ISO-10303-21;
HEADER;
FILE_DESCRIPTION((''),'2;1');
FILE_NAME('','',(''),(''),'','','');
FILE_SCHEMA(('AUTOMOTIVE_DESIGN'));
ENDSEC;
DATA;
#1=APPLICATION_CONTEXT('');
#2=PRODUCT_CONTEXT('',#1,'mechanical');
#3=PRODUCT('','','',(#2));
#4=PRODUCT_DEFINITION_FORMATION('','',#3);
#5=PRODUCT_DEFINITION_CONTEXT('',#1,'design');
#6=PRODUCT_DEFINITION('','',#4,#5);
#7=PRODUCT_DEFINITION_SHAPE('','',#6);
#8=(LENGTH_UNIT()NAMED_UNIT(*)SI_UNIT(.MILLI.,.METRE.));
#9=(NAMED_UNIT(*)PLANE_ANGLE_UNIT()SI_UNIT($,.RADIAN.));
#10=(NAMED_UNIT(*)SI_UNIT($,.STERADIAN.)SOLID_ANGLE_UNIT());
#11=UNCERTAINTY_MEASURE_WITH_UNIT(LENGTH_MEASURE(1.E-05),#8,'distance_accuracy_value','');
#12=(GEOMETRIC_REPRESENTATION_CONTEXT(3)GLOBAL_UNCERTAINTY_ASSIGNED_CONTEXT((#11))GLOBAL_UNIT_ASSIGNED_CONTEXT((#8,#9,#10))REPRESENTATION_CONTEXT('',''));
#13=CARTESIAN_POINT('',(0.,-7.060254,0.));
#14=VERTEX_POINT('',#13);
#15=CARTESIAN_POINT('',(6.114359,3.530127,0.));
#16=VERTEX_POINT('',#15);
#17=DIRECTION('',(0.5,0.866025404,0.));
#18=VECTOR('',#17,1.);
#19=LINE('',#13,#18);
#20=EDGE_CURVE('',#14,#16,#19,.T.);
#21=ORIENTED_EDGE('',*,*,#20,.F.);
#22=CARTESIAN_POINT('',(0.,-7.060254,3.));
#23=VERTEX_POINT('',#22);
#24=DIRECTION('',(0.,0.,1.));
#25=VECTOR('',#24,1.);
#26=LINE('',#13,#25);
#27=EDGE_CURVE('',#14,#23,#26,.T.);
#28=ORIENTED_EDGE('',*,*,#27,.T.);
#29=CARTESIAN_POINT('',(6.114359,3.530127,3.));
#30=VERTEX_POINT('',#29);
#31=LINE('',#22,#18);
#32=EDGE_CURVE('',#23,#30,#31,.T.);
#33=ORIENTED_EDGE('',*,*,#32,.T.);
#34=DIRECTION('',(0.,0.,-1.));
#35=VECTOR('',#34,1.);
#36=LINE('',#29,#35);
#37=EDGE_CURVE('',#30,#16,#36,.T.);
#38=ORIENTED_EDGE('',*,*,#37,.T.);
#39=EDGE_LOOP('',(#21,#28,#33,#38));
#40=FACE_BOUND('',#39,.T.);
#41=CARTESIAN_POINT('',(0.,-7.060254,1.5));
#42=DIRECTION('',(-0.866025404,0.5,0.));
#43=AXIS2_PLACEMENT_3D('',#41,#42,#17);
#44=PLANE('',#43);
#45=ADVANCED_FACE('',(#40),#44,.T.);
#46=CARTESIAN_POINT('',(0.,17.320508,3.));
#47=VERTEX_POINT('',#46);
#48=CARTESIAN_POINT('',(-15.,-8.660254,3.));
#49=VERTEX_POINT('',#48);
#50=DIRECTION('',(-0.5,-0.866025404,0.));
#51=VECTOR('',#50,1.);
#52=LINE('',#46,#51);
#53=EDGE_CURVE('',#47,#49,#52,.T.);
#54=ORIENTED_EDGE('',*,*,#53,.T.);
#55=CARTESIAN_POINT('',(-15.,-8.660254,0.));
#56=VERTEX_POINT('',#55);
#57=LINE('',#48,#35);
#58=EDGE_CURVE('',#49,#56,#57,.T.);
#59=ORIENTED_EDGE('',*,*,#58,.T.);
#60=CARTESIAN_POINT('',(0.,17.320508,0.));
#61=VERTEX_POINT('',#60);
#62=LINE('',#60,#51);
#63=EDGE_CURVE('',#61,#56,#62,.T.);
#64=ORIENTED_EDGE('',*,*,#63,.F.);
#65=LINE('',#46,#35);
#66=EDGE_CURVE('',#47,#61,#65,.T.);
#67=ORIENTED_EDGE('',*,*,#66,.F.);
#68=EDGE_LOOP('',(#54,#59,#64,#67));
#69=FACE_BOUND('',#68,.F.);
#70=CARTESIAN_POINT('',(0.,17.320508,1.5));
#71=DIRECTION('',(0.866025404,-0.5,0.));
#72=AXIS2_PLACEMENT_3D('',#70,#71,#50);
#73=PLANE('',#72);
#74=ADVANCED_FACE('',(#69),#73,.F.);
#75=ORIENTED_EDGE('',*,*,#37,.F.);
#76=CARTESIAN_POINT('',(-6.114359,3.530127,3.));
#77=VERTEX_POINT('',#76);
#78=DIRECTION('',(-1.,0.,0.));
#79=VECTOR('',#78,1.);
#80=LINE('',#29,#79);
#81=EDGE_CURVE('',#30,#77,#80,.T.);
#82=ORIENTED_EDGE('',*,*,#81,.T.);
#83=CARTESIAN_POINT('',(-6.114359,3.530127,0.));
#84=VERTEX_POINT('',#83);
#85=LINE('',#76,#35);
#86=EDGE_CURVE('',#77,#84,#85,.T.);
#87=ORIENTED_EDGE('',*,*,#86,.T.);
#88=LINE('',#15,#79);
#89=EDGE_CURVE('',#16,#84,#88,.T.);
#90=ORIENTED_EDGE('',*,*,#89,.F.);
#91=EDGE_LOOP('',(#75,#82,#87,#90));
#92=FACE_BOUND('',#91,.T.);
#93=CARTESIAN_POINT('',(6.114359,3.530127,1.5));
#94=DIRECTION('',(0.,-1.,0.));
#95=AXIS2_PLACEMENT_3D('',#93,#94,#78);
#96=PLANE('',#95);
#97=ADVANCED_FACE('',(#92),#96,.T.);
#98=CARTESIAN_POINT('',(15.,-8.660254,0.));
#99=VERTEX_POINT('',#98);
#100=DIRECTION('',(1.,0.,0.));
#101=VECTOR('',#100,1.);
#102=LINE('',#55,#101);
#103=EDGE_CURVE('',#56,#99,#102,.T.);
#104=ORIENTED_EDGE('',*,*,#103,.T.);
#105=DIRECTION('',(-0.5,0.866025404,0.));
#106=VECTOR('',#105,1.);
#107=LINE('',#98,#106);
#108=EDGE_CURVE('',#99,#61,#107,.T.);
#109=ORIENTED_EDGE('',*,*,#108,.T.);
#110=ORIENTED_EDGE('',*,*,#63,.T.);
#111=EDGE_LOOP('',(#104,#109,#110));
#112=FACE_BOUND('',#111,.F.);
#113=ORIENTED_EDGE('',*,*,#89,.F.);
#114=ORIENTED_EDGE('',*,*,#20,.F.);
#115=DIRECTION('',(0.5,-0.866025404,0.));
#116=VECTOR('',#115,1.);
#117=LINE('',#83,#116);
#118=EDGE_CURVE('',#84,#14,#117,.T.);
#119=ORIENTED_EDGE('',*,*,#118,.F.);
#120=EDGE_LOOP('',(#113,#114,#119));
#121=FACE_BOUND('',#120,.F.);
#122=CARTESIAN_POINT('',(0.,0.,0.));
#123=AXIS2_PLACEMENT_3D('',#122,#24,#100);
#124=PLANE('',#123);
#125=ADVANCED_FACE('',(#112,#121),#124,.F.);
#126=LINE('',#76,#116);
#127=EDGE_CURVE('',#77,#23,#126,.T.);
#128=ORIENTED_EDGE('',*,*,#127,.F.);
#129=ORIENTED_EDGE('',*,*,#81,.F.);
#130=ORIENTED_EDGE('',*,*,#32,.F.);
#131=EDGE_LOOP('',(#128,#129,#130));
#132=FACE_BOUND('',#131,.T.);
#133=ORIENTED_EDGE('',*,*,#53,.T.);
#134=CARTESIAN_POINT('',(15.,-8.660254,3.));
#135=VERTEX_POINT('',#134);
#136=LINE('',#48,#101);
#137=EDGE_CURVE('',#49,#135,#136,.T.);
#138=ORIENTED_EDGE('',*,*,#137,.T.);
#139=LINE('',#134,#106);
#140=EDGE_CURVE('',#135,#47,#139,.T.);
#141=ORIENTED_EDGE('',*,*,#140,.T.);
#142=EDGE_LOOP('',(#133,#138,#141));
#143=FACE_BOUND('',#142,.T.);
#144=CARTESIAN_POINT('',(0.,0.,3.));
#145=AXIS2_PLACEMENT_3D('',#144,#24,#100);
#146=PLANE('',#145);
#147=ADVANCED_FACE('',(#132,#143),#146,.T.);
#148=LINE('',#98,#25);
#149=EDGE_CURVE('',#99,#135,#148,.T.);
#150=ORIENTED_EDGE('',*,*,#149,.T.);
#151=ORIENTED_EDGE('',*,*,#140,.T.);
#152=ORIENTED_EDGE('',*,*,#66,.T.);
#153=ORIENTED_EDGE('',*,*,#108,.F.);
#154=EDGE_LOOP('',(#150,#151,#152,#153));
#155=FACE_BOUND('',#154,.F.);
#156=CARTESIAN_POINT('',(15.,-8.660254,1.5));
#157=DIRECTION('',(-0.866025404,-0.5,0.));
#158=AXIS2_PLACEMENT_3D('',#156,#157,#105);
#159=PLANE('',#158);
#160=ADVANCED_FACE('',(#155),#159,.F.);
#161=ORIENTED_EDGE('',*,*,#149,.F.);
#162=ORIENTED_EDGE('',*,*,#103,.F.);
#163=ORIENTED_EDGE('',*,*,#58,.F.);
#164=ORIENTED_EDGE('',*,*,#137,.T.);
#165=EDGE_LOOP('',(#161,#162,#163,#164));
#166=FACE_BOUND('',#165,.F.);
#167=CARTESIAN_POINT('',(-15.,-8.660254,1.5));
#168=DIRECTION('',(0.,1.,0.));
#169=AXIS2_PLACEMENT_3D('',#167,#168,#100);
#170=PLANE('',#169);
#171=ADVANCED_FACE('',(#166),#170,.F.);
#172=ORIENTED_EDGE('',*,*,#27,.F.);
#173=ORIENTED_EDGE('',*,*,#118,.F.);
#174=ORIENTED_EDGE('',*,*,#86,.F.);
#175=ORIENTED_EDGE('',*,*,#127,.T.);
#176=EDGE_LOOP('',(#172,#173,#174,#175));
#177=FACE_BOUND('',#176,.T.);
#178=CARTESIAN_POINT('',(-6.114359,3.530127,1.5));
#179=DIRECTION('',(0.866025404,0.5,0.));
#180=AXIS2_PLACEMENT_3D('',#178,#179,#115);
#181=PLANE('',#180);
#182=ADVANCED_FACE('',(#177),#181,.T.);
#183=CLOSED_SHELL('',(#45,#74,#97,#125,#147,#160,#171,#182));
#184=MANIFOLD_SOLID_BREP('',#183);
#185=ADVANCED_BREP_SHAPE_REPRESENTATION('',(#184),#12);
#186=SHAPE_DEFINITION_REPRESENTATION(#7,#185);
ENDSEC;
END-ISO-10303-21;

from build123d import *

# Parameters (mm, degrees)
F1_DEPTH = 1.5
F4_DEPTH = 1.5
F5_DEPTH = 1.5


with BuildPart() as f1:
    # F0 (on Top) → F1 (new body)
    with BuildSketch(Plane.XY):
        Polygon((-15, -8.6602540378), (15, -8.6602540378), (0, 17.3205080757), align=None)
    extrude(amount=F1_DEPTH)

    # F3 (on face) → F4 (cut)
    with BuildSketch(Plane.XY.offset(1.5)):
        Polygon((0, -7.0602540378), (6.1143593539, 3.5301270189), (-6.1143593539, 3.5301270189), align=None)
    extrude(amount=-F4_DEPTH, mode=Mode.SUBTRACT)

    # F5 (add): a face of the model
    f5_faces = [f1.faces().sort_by_distance(p)[0] for p in [
        (-7.1563068229, 4.1316956706, 1.5),
    ]]
    extrude(f5_faces, amount=F5_DEPTH)


solid = f1.part
